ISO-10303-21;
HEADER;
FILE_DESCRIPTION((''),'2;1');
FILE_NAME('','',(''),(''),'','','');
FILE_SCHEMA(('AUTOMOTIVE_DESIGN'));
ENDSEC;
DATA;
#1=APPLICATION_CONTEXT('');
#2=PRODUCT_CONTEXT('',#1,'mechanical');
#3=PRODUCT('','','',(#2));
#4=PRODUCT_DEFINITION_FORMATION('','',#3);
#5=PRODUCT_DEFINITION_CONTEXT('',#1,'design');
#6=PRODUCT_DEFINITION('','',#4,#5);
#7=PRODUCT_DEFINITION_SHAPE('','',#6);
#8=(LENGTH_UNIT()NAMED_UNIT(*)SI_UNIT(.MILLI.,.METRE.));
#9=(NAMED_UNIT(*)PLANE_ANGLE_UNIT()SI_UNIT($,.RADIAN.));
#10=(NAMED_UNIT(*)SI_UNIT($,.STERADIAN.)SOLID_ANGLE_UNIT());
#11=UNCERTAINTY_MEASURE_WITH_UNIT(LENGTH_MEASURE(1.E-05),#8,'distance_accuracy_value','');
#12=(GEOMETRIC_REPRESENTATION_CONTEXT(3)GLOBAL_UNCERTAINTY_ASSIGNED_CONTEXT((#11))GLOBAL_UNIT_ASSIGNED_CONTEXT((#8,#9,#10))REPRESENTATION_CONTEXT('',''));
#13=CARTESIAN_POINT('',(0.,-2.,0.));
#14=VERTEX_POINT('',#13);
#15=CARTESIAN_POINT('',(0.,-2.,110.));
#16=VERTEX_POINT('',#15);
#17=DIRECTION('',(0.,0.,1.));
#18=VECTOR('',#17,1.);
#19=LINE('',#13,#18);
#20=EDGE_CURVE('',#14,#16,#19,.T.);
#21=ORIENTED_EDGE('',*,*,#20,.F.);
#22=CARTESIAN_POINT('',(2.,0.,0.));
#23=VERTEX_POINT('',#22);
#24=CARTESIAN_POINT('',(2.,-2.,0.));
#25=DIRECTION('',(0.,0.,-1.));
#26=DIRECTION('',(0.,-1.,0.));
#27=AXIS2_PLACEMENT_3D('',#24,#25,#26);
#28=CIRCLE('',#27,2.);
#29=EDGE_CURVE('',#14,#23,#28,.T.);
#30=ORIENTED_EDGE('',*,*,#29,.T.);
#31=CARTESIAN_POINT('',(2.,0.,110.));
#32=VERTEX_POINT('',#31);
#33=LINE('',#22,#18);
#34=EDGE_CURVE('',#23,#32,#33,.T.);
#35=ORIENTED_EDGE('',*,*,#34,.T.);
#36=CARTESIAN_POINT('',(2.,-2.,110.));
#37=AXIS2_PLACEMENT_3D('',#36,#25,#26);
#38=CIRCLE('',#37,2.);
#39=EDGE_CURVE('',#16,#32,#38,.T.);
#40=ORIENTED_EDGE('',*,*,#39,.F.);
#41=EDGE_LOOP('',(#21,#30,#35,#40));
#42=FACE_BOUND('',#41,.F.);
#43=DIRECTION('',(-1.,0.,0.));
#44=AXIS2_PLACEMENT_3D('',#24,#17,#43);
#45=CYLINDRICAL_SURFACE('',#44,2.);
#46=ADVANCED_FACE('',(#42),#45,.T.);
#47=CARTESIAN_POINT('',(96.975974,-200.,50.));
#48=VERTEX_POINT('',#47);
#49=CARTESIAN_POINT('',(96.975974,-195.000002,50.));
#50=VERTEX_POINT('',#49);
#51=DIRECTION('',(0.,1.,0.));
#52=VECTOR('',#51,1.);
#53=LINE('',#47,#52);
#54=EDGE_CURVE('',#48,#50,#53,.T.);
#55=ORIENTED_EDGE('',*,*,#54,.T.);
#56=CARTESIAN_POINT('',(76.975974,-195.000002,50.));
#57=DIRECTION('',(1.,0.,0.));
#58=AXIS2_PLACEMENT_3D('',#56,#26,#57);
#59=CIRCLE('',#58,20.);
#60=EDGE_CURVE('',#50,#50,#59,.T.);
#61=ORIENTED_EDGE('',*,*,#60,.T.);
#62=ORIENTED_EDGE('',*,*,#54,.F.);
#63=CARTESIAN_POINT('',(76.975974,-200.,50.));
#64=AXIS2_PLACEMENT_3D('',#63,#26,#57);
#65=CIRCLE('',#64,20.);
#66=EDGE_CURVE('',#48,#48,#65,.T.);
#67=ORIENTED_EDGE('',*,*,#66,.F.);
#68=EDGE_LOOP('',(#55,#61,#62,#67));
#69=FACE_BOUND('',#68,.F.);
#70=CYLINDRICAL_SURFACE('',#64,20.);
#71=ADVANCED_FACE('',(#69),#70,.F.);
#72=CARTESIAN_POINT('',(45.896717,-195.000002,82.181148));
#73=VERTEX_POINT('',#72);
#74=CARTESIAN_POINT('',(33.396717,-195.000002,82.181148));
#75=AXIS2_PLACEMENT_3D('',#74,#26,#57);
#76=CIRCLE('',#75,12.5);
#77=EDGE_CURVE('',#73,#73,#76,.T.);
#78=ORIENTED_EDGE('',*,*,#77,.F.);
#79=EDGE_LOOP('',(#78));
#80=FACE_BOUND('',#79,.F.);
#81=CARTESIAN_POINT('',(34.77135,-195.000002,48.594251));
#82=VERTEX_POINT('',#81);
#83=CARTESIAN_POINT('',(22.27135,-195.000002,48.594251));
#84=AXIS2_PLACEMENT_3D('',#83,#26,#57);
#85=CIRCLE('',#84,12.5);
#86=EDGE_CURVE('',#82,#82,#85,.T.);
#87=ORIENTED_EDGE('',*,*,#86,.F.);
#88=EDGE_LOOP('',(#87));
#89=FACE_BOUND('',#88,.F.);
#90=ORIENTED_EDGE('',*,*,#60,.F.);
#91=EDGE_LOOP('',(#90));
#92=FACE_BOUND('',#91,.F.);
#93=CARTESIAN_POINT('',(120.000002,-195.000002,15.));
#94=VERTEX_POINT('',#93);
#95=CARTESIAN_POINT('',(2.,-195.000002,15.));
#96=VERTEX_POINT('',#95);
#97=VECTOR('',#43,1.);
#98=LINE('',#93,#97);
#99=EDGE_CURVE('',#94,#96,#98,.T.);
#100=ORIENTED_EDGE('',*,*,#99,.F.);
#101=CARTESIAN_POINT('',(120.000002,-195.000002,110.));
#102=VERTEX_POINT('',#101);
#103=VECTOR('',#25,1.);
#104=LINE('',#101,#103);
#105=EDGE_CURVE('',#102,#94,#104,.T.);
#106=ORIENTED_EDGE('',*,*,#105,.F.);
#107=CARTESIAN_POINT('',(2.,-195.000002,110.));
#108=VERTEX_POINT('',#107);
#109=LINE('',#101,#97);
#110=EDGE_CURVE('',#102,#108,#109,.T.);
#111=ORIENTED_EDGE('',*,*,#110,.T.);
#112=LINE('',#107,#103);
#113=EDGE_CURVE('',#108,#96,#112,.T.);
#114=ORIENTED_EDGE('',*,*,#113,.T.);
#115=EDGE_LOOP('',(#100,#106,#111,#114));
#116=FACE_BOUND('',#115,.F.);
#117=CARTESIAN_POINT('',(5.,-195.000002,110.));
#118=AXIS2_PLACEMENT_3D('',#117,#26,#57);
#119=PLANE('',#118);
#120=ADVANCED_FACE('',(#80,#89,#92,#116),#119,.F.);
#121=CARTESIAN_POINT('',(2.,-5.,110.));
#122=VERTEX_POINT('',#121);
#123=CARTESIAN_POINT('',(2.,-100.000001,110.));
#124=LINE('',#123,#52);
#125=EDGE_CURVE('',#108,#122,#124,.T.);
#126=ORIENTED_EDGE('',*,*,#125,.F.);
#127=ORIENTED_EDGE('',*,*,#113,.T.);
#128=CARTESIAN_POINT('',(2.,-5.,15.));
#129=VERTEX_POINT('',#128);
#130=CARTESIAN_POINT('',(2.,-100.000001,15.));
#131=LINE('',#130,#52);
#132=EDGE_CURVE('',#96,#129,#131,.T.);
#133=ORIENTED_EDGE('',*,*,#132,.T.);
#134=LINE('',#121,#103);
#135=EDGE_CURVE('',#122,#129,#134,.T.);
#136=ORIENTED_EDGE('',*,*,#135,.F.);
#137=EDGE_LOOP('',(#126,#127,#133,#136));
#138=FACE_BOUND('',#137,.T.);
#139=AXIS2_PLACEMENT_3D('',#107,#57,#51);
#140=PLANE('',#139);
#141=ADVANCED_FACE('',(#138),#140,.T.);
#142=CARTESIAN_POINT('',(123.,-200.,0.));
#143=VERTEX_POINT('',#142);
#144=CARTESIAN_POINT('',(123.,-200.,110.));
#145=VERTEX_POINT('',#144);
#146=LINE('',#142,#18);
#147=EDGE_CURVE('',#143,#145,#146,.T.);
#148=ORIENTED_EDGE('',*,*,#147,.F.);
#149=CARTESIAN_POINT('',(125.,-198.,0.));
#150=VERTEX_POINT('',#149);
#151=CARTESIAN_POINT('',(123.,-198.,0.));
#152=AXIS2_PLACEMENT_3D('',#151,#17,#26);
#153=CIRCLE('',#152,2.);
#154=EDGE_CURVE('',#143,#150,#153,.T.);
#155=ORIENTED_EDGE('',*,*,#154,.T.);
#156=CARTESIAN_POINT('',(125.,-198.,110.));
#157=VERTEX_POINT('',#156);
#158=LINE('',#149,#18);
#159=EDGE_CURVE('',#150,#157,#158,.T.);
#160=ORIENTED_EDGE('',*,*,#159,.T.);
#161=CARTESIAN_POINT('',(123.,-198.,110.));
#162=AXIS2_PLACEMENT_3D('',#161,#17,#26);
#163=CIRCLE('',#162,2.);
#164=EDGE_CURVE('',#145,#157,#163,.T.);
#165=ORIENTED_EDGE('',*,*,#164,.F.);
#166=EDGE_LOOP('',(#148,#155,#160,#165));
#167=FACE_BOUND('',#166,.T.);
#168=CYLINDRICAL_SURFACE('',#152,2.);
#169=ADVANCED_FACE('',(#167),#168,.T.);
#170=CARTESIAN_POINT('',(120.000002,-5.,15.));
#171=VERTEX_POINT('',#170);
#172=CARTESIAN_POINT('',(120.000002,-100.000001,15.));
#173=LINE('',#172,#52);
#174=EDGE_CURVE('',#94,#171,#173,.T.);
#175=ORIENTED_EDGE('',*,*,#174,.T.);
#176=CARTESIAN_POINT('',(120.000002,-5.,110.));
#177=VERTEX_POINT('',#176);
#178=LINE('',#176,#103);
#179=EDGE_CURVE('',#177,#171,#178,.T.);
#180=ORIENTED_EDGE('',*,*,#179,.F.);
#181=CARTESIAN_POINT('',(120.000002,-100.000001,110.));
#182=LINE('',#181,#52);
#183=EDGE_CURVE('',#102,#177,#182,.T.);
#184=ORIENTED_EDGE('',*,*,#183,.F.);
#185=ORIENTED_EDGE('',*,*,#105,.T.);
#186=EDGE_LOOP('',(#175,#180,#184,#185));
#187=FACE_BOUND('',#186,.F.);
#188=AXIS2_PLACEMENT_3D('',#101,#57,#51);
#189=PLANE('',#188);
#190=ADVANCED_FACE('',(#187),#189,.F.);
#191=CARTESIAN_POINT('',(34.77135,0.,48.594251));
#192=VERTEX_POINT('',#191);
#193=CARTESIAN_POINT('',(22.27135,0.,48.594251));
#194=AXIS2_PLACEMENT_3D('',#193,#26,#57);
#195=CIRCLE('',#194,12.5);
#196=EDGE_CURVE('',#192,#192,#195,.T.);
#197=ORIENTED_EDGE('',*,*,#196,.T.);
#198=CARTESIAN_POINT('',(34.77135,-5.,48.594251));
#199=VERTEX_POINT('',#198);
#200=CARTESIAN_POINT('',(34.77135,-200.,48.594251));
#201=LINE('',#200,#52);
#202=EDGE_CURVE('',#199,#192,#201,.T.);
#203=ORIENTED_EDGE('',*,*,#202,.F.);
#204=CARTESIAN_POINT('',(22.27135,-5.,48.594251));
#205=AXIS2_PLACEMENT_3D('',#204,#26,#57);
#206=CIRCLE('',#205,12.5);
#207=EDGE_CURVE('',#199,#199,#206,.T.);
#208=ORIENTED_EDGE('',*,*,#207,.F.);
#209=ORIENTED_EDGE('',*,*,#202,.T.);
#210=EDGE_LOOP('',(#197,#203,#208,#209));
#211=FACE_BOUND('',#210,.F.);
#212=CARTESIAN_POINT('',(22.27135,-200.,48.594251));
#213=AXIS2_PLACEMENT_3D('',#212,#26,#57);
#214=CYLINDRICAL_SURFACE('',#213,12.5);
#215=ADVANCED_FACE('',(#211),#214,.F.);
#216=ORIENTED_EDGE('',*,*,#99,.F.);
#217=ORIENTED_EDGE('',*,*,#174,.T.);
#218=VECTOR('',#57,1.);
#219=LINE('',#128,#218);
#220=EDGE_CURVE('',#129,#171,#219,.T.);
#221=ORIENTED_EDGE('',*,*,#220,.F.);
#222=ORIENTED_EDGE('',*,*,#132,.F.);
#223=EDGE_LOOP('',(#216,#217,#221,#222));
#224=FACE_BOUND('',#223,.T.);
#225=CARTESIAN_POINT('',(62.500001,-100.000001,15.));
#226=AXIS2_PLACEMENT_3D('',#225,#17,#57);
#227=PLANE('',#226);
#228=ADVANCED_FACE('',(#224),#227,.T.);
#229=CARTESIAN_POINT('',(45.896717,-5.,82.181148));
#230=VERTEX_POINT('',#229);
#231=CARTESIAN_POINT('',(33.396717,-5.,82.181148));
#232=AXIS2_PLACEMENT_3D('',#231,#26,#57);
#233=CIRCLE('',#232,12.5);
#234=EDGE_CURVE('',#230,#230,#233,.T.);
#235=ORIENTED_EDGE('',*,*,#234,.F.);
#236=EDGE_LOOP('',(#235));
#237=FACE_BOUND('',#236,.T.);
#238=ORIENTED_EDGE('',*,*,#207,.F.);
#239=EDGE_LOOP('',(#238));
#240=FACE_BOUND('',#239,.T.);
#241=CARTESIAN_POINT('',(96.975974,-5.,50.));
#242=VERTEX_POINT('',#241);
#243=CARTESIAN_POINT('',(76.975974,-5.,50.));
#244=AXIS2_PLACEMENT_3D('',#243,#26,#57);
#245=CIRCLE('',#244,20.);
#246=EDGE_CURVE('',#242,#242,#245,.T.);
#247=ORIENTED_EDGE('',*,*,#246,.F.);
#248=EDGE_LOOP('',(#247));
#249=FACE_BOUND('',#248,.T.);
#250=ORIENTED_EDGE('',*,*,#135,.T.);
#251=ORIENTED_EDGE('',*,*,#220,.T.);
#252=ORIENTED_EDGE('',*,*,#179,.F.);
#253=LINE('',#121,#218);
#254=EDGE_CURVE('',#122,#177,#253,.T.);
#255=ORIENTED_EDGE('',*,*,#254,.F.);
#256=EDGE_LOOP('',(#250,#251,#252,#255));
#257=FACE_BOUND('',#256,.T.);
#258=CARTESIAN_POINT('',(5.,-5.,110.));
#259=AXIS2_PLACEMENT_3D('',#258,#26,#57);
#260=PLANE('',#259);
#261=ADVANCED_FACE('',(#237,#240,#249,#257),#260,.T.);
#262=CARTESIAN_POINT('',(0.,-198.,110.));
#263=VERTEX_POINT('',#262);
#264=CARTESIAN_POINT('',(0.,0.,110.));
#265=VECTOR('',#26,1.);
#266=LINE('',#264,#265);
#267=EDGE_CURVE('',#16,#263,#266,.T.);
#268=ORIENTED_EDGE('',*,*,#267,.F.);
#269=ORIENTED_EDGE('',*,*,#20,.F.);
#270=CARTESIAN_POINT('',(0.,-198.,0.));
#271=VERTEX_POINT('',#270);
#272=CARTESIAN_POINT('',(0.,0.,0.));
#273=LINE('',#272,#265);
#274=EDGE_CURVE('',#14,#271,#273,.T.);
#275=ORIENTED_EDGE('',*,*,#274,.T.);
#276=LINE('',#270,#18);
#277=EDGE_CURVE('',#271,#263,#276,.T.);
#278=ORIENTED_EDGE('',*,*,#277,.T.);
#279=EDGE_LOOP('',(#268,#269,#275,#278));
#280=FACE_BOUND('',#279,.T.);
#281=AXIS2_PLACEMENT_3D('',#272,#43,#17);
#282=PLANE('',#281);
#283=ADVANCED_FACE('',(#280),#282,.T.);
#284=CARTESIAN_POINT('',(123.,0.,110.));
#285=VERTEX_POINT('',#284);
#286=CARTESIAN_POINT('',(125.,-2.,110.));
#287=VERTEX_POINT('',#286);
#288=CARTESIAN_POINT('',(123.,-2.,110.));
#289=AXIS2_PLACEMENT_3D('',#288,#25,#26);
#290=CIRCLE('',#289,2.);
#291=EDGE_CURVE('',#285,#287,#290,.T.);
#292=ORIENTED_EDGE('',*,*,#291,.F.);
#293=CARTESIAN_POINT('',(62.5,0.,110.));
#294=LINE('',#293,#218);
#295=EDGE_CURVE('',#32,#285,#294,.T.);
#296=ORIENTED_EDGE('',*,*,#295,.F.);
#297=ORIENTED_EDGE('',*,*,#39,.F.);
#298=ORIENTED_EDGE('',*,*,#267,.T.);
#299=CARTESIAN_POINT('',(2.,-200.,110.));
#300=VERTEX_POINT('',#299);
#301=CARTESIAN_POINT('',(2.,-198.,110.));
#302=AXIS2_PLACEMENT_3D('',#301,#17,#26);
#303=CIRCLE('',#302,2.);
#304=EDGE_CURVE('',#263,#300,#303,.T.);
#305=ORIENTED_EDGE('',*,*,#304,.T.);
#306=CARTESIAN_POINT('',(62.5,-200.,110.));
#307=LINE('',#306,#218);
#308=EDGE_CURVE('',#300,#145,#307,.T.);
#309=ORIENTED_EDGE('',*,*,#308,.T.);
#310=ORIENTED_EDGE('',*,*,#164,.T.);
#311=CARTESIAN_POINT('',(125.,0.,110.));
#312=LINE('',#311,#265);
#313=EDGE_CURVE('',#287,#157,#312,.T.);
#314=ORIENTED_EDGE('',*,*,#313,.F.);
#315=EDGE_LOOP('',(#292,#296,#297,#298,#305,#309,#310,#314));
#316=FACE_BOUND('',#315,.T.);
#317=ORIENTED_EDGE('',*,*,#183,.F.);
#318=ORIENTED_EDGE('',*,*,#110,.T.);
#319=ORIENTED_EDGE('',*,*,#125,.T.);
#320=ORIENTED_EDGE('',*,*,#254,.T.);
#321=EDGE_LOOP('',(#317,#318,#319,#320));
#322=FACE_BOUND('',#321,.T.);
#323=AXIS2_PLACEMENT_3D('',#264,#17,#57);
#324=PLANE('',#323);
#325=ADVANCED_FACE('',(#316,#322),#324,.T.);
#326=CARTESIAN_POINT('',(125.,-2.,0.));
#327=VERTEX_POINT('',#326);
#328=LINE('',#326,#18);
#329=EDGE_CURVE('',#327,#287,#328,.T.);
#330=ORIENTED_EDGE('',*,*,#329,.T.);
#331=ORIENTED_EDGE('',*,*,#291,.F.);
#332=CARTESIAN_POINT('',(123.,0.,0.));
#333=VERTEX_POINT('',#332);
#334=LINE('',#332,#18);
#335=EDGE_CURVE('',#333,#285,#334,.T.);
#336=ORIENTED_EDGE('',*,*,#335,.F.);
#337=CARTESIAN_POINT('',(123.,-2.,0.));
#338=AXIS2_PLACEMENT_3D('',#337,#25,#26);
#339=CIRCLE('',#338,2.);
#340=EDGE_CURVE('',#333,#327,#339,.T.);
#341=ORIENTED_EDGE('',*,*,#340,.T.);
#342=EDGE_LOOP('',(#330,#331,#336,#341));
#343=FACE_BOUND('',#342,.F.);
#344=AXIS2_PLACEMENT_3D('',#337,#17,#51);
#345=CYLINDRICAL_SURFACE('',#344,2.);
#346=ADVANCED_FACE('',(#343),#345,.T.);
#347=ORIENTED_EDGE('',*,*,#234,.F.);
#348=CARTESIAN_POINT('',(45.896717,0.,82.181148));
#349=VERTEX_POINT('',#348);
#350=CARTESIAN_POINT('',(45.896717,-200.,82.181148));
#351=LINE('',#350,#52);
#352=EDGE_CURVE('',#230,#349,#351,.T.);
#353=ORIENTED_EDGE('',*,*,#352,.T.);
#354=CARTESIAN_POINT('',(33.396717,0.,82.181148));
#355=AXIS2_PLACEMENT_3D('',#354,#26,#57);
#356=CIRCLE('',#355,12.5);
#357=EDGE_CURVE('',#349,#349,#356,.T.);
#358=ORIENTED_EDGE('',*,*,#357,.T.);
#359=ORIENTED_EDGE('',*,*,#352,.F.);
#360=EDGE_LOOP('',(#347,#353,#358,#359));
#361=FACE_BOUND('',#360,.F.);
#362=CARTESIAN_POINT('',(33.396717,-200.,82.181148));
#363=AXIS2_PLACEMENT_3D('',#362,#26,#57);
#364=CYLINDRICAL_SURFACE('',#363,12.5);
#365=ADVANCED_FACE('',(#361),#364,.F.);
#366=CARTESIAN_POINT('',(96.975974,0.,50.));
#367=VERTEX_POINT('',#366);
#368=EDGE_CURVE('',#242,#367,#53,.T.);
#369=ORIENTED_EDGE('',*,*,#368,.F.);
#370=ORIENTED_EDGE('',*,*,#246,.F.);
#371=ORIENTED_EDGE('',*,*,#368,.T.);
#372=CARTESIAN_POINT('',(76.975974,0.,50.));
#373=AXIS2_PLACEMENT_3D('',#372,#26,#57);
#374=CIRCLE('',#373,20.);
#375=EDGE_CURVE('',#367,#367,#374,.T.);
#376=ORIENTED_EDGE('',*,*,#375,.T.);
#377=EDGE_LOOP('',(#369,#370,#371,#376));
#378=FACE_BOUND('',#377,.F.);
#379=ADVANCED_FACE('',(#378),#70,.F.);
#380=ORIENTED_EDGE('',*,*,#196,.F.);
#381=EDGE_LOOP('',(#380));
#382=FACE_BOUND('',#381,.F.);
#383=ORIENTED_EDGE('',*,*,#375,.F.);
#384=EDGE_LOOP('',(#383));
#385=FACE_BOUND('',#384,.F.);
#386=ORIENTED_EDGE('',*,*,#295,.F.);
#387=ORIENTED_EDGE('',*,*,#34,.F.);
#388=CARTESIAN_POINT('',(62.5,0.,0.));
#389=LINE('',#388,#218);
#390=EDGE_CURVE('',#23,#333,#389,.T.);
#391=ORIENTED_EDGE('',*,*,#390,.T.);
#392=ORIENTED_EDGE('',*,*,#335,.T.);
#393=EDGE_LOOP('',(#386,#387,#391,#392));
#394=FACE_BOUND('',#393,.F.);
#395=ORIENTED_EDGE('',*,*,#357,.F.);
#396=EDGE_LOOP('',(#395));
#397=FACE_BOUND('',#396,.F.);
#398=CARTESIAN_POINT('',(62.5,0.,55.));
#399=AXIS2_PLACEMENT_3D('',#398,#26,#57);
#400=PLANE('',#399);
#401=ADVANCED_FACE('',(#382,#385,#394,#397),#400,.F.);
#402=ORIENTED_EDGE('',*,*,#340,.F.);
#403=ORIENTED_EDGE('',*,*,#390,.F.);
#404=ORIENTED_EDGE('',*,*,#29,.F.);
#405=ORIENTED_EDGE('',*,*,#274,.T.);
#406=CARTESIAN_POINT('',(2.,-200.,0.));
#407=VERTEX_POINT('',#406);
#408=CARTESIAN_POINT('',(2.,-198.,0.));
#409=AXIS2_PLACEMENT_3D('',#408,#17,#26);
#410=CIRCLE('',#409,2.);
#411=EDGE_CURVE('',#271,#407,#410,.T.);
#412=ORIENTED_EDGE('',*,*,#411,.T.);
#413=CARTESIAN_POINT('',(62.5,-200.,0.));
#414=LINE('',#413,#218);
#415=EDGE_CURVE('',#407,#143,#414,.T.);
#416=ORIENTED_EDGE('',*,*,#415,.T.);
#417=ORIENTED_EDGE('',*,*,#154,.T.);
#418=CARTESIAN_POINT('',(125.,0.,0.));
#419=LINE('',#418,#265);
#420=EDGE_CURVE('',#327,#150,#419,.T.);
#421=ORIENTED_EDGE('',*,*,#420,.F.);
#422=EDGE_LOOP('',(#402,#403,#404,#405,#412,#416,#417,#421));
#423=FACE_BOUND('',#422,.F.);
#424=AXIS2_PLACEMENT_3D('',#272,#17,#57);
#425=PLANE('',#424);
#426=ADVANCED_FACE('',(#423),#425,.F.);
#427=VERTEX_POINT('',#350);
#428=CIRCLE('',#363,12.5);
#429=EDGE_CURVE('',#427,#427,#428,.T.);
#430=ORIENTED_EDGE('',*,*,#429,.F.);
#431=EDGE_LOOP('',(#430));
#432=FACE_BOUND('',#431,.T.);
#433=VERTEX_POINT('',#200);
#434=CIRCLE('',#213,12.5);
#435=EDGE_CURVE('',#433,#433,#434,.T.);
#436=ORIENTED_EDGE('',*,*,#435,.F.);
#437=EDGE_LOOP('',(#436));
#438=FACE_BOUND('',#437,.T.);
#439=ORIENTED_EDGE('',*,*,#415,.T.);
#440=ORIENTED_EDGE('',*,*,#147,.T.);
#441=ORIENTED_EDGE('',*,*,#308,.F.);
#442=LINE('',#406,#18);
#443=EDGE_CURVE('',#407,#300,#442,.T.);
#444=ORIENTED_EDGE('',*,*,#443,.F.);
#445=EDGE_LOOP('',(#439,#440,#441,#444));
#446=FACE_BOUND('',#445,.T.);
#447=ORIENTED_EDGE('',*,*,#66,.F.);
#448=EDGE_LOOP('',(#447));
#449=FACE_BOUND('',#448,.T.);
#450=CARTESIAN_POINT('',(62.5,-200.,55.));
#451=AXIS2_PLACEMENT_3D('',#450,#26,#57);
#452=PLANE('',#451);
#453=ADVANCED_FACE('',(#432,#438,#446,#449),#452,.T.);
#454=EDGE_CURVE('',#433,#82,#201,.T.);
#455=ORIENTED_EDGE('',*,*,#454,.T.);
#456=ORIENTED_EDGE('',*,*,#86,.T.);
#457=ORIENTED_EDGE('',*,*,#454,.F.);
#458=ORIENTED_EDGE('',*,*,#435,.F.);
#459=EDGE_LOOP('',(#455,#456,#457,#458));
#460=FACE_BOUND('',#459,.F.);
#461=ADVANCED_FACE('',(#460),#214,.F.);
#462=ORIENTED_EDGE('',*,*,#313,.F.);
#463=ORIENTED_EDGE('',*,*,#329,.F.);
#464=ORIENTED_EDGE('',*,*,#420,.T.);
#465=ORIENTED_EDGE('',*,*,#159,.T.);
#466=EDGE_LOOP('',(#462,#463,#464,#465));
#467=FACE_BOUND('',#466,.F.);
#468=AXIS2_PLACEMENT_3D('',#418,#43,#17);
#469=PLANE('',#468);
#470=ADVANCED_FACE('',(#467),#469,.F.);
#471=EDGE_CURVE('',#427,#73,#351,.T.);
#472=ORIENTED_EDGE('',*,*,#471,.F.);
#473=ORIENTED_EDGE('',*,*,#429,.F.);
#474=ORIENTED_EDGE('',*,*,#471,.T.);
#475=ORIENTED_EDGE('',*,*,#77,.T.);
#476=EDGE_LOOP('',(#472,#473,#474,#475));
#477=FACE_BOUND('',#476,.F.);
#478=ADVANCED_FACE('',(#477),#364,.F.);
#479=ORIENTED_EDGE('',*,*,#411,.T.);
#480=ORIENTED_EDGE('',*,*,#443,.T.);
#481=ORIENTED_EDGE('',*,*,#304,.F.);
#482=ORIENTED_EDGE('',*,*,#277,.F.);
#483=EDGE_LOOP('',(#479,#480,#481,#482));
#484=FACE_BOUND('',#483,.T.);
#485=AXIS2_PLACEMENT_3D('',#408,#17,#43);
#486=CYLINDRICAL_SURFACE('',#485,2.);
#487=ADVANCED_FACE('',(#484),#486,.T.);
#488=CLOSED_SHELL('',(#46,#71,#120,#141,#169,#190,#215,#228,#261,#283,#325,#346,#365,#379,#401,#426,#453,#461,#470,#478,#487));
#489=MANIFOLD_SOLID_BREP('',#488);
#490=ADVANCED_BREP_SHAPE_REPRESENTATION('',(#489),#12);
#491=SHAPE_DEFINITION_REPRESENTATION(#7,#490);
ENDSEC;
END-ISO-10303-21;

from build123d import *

# Parameters (mm, degrees)
F0_W      = 125
F0_H      = 110
F1_DEPTH  = 200
F2_W      = 115.000002
F2_H      = 190.000002
F3_DEPTH  = 95
F4_R      = 2
F5_R      = 20
F7_DEPTH  = 200.001
F6_R      = 12.5
F8_DEPTH  = 200.001
F9_W      = 3
F9_H      = 190.000002
F10_DEPTH = 95


with BuildPart() as f1:
    # F0 (on Front) → F1 (new body)
    with BuildSketch(Plane.XZ):
        with Locations((62.5, 55)):
            Rectangle(F0_W, F0_H)
    extrude(amount=F1_DEPTH)

    # F2 (on face) → F3 (cut)
    with BuildSketch(Plane.XY.offset(110)):
        with Locations((62.500001, -100.000001)):
            Rectangle(F2_W, F2_H)
    extrude(amount=-F3_DEPTH, mode=Mode.SUBTRACT)

    # F4
    f4_edges = [f1.edges().sort_by_distance(p)[0] for p in [
        (125, 0, 55),
        (0, 0, 55),
        (125, -200, 55),
        (0, -200, 55),
    ]]
    fillet(f4_edges, radius=F4_R)

    # F5 (on face) → F7 (cut, through all)
    with BuildSketch(Plane.XZ.offset(200)):
        with Locations((76.975974, 50)):
            Circle(F5_R)
    extrude(amount=-F7_DEPTH, mode=Mode.SUBTRACT)

    # F6 (on face) → F8 (cut, through all)
    with BuildSketch(Plane.XZ.offset(200)):
        with Locations((22.27135, 48.594251)):
            Circle(F6_R)
        with Locations((33.396717, 82.181148)):
            Circle(F6_R)
    extrude(amount=-F8_DEPTH, mode=Mode.SUBTRACT)

    # F9 (on face) → F10 (cut, through all)
    with BuildSketch(Plane.XY.offset(110)):
        with Locations((3.5, -100.000001)):
            Rectangle(F9_W, F9_H)
    extrude(amount=-F10_DEPTH, mode=Mode.SUBTRACT)


solid = f1.part
